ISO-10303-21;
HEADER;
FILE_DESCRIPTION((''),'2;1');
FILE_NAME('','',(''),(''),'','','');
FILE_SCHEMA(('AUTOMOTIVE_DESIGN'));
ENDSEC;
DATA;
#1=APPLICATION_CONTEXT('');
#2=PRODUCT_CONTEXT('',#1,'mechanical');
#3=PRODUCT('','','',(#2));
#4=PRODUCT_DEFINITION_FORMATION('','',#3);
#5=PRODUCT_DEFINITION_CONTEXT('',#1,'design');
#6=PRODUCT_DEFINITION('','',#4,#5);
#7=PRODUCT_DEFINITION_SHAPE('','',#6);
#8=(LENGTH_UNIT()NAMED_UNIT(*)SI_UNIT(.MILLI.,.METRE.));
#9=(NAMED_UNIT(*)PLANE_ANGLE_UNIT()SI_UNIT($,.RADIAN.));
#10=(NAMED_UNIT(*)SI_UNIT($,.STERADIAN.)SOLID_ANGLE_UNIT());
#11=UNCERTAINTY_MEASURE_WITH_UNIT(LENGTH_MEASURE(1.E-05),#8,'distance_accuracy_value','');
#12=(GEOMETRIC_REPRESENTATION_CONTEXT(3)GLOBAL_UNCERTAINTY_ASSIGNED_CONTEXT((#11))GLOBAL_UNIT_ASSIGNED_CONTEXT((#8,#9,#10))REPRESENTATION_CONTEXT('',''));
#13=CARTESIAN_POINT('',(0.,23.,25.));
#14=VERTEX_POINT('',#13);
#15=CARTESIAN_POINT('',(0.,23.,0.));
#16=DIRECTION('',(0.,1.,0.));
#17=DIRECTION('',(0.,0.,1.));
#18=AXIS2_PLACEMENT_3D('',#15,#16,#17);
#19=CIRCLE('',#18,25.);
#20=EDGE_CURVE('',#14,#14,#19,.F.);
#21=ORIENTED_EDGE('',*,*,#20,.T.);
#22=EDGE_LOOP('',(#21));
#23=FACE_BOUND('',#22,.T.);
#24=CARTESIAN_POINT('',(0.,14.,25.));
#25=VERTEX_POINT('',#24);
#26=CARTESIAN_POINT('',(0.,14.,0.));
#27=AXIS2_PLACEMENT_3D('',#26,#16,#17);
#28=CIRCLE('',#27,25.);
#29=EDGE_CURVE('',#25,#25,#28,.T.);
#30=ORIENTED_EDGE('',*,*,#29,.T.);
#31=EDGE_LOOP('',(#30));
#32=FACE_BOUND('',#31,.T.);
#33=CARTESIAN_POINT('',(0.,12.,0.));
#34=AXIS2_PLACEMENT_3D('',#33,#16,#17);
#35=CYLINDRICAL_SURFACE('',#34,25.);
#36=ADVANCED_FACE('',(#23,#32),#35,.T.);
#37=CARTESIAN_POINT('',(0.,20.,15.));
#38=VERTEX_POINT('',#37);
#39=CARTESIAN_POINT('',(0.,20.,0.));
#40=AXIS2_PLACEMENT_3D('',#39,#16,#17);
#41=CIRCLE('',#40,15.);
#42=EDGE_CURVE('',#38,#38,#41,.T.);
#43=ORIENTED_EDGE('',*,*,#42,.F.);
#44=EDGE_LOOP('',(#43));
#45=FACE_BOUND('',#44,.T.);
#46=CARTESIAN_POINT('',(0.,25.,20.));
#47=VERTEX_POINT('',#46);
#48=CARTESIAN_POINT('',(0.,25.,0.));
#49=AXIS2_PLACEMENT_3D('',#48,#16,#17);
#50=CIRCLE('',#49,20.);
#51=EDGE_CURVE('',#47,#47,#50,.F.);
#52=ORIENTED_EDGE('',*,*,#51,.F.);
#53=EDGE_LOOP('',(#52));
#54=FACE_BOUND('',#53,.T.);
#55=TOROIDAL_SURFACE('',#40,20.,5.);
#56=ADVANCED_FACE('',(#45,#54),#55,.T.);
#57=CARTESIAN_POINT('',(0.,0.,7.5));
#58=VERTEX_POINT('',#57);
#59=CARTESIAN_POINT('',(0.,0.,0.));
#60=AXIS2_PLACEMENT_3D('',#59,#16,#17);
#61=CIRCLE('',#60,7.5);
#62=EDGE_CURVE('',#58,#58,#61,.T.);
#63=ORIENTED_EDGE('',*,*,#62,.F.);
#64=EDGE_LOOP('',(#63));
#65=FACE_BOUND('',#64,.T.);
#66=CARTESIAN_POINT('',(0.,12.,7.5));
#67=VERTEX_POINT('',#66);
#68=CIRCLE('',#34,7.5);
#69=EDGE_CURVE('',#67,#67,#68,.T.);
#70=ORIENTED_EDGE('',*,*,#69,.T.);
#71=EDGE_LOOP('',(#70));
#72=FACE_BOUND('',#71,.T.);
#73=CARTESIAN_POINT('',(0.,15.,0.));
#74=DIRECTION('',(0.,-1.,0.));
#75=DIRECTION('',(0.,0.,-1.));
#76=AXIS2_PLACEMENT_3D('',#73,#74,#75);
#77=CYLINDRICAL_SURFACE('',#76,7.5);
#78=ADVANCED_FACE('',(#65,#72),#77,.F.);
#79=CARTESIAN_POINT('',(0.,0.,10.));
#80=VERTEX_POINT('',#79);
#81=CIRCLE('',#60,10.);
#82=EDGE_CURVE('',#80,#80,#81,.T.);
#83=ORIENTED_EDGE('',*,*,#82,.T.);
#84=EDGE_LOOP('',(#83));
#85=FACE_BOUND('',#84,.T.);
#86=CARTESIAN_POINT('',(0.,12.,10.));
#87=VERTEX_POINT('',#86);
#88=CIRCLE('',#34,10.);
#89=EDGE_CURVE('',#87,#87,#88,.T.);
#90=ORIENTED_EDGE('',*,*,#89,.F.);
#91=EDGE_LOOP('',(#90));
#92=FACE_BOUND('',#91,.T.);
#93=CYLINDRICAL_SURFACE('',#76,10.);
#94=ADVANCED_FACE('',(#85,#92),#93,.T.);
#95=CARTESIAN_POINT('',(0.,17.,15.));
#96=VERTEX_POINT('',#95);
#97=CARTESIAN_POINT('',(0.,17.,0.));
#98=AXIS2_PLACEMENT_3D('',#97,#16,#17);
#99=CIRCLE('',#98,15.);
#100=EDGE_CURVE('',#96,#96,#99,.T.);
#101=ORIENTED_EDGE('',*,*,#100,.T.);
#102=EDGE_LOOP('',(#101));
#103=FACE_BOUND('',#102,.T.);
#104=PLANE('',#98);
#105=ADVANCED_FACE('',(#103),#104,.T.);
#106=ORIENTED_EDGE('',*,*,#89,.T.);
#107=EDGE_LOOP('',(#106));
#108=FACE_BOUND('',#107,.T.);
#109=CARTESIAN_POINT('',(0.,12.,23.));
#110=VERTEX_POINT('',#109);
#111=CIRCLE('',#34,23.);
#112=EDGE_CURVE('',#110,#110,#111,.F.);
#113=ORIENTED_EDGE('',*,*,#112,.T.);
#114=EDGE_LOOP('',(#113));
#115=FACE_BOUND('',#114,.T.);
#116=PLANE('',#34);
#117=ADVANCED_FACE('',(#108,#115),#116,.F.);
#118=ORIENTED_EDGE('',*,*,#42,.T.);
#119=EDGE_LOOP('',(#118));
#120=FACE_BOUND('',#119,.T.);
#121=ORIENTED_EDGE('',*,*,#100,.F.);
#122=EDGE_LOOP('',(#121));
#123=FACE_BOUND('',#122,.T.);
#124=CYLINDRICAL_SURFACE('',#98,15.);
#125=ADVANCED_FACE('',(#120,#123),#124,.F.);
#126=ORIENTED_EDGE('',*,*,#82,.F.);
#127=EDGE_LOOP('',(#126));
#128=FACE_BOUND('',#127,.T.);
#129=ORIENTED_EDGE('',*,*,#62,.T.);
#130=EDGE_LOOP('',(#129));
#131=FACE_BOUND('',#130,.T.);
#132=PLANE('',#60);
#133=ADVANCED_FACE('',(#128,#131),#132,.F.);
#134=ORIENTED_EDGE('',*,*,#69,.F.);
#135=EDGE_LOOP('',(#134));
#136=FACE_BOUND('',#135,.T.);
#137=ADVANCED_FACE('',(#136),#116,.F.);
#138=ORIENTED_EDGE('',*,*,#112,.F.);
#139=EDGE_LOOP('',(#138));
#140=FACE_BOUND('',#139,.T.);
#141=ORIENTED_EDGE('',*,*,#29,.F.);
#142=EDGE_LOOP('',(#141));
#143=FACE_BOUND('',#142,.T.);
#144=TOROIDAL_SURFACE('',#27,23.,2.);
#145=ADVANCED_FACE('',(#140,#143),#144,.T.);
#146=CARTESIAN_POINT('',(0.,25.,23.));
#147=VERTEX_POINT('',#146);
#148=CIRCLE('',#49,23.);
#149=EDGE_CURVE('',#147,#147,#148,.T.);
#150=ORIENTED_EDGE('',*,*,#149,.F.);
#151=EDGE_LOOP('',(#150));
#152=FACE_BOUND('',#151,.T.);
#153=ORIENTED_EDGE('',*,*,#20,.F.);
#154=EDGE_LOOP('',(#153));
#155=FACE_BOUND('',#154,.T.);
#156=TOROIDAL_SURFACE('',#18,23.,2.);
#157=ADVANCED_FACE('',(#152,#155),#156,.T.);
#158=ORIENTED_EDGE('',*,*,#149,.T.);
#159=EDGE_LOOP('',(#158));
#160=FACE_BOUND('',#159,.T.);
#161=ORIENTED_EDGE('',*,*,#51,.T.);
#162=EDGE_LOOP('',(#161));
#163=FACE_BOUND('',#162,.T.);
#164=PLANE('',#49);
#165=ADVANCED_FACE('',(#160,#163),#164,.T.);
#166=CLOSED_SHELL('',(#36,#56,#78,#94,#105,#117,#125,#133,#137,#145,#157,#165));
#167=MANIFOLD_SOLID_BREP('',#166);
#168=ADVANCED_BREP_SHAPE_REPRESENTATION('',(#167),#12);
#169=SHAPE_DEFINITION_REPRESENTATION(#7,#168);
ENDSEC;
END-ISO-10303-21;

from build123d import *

# Parameters (mm, degrees)
SKETCH1_R                = 10
SKETCH1_R_2              = 7.5
BOSS_EXTRUDE1_DEPTH      = 15
BOSS_EXTRUDE2_DEPTH      = 10
BOSS_EXTRUDE2_DEPTH_BACK = 3
SKETCH3_R                = 25
FILLET1_R                = 2
SKETCH4_R                = 15
CUT_EXTRUDE1_DEPTH       = 8
FILLET2_R                = 5


with BuildPart() as part:
    # Sketch1 → Boss-Extrude1 (new body)
    with BuildSketch(Plane(origin=(0, 0, 0), x_dir=(1, 0, 0), z_dir=(0, 1, 0))):
        with Locations(Location((0, 0, 0), (0, 0, 270))):
            Circle(SKETCH1_R)
        with Locations(Location((0, 0, 0), (0, 0, 270))):
            Circle(SKETCH1_R_2, mode=Mode.SUBTRACT)
    extrude(amount=BOSS_EXTRUDE1_DEPTH)

    # Sketch3 → Boss-Extrude2 (add, two sides: drawn at the far end of the back side and taken through both)
    with BuildSketch(Plane(origin=(0, 15, 0), x_dir=(1, 0, 0), z_dir=(0, 1, 0)).offset(-BOSS_EXTRUDE2_DEPTH_BACK)):
        with Locations(Location((0, 0, 0), (0, 0, 270))):
            Circle(SKETCH3_R)
    extrude(amount=BOSS_EXTRUDE2_DEPTH + BOSS_EXTRUDE2_DEPTH_BACK)

    # Fillet1
    fillet1_edges = [part.edges().sort_by_distance(p)[0] for p in [
        (0, 12, -25),
        (0, 25, -25),
    ]]
    fillet(fillet1_edges, radius=FILLET1_R)

    # Sketch4 → Cut-Extrude1 (cut)
    with BuildSketch(Plane(origin=(0, 25, 0), x_dir=(1, 0, 0), z_dir=(0, 1, 0))):
        with Locations(Location((0, 0, 0), (0, 0, 270))):
            Circle(SKETCH4_R)
    extrude(amount=-CUT_EXTRUDE1_DEPTH, mode=Mode.SUBTRACT)

    # Fillet2
    fillet2_edges = [part.edges().sort_by_distance(p)[0] for p in [
        (0, 25, -15),
    ]]
    fillet(fillet2_edges, radius=FILLET2_R)


solid = part.part
